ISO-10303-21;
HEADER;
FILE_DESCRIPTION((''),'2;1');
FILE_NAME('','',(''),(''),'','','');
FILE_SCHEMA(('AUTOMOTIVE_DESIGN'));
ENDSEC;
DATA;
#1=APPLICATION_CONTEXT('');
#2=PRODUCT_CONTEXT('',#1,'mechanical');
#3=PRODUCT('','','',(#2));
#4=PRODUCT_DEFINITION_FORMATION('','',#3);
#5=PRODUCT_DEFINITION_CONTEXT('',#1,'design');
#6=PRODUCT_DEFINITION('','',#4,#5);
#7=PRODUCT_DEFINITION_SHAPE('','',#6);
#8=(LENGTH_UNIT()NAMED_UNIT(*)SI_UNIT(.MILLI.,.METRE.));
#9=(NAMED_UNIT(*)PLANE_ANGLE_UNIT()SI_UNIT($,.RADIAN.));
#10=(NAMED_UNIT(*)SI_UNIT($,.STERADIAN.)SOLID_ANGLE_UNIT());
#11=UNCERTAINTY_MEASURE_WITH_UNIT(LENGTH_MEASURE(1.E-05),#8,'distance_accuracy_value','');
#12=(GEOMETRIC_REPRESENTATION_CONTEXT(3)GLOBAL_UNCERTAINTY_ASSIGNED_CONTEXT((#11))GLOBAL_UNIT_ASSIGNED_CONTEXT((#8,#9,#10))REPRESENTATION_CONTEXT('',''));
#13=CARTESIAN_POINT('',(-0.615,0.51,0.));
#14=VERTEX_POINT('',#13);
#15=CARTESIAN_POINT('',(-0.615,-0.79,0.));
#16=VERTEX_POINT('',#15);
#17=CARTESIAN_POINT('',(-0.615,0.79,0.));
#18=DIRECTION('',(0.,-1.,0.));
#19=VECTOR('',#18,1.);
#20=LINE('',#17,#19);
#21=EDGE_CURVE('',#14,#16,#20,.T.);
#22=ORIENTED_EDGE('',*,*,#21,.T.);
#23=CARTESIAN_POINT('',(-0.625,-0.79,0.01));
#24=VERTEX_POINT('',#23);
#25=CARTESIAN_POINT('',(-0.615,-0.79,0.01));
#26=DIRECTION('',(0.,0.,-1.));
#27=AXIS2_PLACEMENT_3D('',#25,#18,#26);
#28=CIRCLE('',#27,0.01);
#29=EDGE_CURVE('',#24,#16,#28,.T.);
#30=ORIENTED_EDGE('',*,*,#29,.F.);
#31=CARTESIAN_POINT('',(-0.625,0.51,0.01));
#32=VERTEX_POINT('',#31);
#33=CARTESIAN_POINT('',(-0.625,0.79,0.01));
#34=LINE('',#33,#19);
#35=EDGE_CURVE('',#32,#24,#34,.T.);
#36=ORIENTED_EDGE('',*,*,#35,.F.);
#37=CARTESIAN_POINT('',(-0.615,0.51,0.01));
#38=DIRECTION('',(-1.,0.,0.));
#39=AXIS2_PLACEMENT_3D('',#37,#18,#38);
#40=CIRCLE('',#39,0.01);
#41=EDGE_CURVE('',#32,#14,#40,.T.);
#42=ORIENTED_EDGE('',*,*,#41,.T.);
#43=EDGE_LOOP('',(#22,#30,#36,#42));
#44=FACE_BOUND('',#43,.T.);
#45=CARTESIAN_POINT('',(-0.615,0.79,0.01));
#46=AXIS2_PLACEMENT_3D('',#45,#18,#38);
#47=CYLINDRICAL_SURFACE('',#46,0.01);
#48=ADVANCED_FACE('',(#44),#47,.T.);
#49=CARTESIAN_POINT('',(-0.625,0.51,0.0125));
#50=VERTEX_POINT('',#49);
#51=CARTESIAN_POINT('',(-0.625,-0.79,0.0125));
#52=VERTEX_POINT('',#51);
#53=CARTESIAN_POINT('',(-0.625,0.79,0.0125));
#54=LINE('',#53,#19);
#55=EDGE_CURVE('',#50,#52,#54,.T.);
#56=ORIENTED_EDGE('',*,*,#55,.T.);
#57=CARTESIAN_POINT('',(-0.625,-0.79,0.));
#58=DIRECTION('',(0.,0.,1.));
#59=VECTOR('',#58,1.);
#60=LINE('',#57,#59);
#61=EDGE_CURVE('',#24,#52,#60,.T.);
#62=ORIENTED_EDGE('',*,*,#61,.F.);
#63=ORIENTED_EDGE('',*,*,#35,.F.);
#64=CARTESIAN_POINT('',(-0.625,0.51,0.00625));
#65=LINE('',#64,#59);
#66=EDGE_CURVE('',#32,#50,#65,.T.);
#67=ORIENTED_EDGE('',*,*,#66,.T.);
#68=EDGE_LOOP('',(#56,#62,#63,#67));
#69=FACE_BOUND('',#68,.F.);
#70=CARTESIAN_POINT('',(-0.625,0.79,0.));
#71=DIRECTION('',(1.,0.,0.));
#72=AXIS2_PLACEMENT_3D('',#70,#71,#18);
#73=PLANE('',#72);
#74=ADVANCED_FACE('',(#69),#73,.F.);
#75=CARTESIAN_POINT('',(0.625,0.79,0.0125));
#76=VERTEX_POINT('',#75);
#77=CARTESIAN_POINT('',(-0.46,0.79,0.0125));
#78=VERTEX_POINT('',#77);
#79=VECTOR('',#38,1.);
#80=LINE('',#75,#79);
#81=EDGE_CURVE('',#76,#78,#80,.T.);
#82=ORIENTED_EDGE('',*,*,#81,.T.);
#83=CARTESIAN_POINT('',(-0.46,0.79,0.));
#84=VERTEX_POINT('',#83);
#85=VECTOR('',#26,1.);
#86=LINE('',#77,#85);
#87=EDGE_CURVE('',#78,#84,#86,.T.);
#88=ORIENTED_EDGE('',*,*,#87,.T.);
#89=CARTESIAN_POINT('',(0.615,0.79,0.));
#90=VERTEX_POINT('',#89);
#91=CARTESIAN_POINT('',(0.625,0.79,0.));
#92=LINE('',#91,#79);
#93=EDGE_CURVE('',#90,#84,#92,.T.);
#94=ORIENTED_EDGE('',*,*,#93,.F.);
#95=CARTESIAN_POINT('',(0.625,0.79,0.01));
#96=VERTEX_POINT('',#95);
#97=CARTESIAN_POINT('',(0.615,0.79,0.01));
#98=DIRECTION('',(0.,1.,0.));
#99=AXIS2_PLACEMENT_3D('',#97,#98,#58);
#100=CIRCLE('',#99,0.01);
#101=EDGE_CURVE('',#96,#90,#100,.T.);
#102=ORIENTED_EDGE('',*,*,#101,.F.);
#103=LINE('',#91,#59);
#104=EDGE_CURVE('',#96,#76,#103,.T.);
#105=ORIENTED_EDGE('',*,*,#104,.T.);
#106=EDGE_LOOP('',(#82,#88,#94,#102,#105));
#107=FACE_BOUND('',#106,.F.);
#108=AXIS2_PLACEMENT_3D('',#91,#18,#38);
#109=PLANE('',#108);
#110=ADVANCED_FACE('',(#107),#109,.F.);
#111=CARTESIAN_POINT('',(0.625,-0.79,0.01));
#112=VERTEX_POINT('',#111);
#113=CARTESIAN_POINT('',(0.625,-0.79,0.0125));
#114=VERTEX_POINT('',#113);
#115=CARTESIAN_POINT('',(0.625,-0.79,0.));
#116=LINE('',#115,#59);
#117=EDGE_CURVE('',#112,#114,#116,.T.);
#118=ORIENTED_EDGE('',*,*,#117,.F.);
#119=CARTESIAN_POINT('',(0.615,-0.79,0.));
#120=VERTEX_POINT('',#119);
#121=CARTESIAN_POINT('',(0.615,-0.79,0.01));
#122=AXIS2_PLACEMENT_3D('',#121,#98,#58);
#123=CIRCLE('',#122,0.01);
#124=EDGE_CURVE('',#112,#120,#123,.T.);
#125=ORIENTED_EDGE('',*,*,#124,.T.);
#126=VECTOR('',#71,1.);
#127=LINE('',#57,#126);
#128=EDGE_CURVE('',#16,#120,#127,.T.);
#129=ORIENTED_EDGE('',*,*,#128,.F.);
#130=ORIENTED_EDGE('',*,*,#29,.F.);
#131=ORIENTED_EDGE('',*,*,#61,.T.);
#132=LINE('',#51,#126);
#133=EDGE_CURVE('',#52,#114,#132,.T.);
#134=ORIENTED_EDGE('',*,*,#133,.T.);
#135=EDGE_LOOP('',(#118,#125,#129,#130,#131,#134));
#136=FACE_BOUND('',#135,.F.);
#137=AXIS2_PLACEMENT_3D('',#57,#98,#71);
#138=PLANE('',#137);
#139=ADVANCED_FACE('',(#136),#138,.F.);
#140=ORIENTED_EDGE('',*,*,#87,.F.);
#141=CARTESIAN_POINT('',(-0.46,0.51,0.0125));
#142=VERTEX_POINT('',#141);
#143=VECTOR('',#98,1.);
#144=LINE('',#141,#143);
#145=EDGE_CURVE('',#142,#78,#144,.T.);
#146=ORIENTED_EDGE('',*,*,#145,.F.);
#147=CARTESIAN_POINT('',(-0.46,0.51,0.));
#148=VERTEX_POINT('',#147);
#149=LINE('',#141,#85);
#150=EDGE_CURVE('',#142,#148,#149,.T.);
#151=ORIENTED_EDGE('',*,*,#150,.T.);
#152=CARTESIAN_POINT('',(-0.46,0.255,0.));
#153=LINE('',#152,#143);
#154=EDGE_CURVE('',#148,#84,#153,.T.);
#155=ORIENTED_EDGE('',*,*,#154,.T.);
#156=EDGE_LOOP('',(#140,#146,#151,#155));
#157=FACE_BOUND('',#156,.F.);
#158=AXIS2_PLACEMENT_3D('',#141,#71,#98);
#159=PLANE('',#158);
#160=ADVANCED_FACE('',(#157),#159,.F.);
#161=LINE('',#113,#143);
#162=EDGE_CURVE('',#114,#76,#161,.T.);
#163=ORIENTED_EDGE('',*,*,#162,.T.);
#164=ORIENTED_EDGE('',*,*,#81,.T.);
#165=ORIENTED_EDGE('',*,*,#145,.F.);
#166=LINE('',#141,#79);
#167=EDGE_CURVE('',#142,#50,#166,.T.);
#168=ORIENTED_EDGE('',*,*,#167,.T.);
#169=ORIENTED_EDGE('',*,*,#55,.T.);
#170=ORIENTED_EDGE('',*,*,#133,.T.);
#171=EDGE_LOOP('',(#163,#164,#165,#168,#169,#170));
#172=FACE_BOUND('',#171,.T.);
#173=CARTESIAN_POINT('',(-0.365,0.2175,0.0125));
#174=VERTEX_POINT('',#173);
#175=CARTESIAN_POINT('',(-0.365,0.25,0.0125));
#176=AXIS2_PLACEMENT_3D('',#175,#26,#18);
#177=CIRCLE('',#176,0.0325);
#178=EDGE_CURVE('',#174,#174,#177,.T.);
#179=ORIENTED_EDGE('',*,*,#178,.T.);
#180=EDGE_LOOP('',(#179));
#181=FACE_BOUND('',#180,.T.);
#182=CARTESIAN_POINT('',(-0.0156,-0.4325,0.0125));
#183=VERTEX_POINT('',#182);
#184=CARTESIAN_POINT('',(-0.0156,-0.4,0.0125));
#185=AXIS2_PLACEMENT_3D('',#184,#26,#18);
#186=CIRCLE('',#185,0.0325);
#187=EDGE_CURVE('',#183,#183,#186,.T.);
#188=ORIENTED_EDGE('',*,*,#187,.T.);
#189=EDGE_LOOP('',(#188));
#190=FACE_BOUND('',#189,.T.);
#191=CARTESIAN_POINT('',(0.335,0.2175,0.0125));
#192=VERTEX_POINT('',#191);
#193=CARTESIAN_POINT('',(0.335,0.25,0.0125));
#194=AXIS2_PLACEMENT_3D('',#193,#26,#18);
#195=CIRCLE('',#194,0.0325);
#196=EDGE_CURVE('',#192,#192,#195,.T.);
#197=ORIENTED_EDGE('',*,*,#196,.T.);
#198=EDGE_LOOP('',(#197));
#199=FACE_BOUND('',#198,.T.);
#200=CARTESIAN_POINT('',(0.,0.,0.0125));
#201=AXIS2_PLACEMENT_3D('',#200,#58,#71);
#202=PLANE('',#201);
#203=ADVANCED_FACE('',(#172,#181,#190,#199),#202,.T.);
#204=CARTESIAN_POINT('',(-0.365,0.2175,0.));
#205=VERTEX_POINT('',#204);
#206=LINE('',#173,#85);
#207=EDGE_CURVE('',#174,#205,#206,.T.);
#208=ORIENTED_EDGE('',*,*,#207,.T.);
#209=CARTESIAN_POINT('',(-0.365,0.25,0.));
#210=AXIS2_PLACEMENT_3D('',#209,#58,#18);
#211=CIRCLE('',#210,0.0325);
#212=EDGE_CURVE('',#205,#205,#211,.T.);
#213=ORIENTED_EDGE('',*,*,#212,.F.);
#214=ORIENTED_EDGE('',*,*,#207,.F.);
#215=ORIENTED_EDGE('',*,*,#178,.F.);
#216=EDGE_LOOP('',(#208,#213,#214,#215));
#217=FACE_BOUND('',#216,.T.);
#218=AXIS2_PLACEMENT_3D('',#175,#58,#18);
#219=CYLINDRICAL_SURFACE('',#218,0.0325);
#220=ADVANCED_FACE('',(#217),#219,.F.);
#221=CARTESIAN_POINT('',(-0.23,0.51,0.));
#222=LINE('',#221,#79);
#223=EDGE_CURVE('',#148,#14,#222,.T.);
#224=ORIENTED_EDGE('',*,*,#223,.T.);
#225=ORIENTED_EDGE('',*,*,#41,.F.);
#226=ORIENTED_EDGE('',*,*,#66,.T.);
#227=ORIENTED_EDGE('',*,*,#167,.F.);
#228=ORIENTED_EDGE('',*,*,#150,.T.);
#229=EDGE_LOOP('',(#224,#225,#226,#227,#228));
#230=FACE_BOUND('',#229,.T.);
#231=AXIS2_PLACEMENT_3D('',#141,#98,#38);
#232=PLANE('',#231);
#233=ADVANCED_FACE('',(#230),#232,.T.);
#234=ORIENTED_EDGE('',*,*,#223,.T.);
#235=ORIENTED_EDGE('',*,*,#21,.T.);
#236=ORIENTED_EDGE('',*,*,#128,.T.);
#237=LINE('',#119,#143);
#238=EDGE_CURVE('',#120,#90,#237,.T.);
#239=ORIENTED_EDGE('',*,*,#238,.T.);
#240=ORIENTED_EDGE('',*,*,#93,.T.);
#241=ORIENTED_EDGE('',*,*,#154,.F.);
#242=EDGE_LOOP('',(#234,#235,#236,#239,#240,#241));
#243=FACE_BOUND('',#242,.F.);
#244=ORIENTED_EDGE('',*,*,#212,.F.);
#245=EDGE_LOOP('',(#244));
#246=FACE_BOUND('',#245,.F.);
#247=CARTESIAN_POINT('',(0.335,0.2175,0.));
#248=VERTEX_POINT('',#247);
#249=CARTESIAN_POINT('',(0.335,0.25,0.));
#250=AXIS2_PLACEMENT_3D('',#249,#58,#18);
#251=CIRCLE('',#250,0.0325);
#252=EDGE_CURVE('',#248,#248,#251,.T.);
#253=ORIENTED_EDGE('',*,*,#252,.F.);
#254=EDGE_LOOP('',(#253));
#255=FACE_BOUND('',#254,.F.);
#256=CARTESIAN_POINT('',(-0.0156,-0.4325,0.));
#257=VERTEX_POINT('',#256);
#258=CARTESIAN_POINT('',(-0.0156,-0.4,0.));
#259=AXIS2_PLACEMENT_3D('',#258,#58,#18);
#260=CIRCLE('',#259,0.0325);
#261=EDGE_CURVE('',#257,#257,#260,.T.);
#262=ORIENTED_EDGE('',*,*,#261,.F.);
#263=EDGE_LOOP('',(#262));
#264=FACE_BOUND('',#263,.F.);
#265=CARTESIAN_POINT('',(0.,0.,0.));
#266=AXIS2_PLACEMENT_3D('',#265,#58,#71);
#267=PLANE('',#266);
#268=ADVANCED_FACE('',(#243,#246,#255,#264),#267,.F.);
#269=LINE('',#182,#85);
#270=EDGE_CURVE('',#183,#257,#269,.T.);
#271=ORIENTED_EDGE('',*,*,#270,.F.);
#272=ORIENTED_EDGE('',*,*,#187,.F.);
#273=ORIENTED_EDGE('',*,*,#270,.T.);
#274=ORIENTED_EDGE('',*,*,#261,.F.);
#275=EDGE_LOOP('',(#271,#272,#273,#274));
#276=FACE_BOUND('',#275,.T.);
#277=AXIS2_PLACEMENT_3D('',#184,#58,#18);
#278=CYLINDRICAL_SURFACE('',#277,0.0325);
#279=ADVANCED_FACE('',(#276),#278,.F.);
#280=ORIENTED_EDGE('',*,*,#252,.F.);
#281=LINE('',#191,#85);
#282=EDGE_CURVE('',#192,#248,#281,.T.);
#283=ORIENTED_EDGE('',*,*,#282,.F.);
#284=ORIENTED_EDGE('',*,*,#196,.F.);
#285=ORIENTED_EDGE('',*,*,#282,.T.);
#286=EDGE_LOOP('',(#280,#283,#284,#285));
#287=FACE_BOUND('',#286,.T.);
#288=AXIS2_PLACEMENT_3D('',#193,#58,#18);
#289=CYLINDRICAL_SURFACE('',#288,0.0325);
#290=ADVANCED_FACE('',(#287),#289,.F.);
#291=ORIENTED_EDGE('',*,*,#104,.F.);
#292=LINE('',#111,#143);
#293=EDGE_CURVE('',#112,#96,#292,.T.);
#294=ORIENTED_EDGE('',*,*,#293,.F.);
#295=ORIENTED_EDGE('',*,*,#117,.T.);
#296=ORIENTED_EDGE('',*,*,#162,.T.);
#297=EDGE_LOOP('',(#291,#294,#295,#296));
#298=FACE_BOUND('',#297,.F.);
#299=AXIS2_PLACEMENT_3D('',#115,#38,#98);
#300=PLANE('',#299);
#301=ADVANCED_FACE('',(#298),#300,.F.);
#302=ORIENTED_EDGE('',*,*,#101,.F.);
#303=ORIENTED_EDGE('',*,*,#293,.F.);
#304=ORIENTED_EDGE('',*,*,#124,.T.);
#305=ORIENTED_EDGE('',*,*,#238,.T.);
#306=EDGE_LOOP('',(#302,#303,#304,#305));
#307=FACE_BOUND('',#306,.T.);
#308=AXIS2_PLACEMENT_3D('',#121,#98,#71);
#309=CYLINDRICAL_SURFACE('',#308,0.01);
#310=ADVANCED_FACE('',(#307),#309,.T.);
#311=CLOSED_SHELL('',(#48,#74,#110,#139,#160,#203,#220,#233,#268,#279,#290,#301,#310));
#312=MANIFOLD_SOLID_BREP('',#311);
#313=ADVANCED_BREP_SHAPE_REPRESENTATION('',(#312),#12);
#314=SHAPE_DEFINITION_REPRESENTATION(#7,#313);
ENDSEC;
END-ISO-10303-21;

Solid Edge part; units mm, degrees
sketch "Sketch1" plane through (0, 0, 0) normal (0, 0, 1) x (1, 0, 0)
  line L0 (-0.625, -0.79) -> (0.625, -0.79)
  line L1 (0.625, -0.79) -> (0.625, 0.79)
  line L2 (0.625, 0.79) -> (-0.625, 0.79)
  line L3 (-0.625, 0.79) -> (-0.625, -0.79)
  dimension "D1" = 1.25
  dimension "D2" = 1.58
extrude "Protrusion1" add sketch "Sketch1" along normal blind 0.0125
fillet "Verrundung_1" radius 0.01 2 edges at (-0.625, 0, 0) (0.625, 0, 0)
hole "Bohrung_1" at (0.335, 0.25, 0.0125) direction (0, 0, -1) diameter 0.065 end up to next
hole "Hole1" [suppressed]
hole "Hole2" [suppressed]
hole "Hole3" at (-0.365, 0.25, 0.0125) direction (0, 0, -1) diameter 0.065 end up to next
hole "Hole4" at (-0.0156, -0.4, 0.0125) direction (0, 0, -1) diameter 0.065 end up to next
sketch "Sketch2" plane through (0, 0, 0.0125) normal (0, 0, 1) x (1, 0, 0)
  line L0 (-0.79, 0.51) -> (-0.79, 0.79)
  line L1 (-0.79, 0.79) -> (-0.46, 0.79)
  line L2 (-0.46, 0.51) -> (-0.46, 0.79)
  line L3 (-0.46, 0.51) -> (-0.79, 0.51)
extrude "Cutout1" cut sketch "Sketch2" against normal through all
